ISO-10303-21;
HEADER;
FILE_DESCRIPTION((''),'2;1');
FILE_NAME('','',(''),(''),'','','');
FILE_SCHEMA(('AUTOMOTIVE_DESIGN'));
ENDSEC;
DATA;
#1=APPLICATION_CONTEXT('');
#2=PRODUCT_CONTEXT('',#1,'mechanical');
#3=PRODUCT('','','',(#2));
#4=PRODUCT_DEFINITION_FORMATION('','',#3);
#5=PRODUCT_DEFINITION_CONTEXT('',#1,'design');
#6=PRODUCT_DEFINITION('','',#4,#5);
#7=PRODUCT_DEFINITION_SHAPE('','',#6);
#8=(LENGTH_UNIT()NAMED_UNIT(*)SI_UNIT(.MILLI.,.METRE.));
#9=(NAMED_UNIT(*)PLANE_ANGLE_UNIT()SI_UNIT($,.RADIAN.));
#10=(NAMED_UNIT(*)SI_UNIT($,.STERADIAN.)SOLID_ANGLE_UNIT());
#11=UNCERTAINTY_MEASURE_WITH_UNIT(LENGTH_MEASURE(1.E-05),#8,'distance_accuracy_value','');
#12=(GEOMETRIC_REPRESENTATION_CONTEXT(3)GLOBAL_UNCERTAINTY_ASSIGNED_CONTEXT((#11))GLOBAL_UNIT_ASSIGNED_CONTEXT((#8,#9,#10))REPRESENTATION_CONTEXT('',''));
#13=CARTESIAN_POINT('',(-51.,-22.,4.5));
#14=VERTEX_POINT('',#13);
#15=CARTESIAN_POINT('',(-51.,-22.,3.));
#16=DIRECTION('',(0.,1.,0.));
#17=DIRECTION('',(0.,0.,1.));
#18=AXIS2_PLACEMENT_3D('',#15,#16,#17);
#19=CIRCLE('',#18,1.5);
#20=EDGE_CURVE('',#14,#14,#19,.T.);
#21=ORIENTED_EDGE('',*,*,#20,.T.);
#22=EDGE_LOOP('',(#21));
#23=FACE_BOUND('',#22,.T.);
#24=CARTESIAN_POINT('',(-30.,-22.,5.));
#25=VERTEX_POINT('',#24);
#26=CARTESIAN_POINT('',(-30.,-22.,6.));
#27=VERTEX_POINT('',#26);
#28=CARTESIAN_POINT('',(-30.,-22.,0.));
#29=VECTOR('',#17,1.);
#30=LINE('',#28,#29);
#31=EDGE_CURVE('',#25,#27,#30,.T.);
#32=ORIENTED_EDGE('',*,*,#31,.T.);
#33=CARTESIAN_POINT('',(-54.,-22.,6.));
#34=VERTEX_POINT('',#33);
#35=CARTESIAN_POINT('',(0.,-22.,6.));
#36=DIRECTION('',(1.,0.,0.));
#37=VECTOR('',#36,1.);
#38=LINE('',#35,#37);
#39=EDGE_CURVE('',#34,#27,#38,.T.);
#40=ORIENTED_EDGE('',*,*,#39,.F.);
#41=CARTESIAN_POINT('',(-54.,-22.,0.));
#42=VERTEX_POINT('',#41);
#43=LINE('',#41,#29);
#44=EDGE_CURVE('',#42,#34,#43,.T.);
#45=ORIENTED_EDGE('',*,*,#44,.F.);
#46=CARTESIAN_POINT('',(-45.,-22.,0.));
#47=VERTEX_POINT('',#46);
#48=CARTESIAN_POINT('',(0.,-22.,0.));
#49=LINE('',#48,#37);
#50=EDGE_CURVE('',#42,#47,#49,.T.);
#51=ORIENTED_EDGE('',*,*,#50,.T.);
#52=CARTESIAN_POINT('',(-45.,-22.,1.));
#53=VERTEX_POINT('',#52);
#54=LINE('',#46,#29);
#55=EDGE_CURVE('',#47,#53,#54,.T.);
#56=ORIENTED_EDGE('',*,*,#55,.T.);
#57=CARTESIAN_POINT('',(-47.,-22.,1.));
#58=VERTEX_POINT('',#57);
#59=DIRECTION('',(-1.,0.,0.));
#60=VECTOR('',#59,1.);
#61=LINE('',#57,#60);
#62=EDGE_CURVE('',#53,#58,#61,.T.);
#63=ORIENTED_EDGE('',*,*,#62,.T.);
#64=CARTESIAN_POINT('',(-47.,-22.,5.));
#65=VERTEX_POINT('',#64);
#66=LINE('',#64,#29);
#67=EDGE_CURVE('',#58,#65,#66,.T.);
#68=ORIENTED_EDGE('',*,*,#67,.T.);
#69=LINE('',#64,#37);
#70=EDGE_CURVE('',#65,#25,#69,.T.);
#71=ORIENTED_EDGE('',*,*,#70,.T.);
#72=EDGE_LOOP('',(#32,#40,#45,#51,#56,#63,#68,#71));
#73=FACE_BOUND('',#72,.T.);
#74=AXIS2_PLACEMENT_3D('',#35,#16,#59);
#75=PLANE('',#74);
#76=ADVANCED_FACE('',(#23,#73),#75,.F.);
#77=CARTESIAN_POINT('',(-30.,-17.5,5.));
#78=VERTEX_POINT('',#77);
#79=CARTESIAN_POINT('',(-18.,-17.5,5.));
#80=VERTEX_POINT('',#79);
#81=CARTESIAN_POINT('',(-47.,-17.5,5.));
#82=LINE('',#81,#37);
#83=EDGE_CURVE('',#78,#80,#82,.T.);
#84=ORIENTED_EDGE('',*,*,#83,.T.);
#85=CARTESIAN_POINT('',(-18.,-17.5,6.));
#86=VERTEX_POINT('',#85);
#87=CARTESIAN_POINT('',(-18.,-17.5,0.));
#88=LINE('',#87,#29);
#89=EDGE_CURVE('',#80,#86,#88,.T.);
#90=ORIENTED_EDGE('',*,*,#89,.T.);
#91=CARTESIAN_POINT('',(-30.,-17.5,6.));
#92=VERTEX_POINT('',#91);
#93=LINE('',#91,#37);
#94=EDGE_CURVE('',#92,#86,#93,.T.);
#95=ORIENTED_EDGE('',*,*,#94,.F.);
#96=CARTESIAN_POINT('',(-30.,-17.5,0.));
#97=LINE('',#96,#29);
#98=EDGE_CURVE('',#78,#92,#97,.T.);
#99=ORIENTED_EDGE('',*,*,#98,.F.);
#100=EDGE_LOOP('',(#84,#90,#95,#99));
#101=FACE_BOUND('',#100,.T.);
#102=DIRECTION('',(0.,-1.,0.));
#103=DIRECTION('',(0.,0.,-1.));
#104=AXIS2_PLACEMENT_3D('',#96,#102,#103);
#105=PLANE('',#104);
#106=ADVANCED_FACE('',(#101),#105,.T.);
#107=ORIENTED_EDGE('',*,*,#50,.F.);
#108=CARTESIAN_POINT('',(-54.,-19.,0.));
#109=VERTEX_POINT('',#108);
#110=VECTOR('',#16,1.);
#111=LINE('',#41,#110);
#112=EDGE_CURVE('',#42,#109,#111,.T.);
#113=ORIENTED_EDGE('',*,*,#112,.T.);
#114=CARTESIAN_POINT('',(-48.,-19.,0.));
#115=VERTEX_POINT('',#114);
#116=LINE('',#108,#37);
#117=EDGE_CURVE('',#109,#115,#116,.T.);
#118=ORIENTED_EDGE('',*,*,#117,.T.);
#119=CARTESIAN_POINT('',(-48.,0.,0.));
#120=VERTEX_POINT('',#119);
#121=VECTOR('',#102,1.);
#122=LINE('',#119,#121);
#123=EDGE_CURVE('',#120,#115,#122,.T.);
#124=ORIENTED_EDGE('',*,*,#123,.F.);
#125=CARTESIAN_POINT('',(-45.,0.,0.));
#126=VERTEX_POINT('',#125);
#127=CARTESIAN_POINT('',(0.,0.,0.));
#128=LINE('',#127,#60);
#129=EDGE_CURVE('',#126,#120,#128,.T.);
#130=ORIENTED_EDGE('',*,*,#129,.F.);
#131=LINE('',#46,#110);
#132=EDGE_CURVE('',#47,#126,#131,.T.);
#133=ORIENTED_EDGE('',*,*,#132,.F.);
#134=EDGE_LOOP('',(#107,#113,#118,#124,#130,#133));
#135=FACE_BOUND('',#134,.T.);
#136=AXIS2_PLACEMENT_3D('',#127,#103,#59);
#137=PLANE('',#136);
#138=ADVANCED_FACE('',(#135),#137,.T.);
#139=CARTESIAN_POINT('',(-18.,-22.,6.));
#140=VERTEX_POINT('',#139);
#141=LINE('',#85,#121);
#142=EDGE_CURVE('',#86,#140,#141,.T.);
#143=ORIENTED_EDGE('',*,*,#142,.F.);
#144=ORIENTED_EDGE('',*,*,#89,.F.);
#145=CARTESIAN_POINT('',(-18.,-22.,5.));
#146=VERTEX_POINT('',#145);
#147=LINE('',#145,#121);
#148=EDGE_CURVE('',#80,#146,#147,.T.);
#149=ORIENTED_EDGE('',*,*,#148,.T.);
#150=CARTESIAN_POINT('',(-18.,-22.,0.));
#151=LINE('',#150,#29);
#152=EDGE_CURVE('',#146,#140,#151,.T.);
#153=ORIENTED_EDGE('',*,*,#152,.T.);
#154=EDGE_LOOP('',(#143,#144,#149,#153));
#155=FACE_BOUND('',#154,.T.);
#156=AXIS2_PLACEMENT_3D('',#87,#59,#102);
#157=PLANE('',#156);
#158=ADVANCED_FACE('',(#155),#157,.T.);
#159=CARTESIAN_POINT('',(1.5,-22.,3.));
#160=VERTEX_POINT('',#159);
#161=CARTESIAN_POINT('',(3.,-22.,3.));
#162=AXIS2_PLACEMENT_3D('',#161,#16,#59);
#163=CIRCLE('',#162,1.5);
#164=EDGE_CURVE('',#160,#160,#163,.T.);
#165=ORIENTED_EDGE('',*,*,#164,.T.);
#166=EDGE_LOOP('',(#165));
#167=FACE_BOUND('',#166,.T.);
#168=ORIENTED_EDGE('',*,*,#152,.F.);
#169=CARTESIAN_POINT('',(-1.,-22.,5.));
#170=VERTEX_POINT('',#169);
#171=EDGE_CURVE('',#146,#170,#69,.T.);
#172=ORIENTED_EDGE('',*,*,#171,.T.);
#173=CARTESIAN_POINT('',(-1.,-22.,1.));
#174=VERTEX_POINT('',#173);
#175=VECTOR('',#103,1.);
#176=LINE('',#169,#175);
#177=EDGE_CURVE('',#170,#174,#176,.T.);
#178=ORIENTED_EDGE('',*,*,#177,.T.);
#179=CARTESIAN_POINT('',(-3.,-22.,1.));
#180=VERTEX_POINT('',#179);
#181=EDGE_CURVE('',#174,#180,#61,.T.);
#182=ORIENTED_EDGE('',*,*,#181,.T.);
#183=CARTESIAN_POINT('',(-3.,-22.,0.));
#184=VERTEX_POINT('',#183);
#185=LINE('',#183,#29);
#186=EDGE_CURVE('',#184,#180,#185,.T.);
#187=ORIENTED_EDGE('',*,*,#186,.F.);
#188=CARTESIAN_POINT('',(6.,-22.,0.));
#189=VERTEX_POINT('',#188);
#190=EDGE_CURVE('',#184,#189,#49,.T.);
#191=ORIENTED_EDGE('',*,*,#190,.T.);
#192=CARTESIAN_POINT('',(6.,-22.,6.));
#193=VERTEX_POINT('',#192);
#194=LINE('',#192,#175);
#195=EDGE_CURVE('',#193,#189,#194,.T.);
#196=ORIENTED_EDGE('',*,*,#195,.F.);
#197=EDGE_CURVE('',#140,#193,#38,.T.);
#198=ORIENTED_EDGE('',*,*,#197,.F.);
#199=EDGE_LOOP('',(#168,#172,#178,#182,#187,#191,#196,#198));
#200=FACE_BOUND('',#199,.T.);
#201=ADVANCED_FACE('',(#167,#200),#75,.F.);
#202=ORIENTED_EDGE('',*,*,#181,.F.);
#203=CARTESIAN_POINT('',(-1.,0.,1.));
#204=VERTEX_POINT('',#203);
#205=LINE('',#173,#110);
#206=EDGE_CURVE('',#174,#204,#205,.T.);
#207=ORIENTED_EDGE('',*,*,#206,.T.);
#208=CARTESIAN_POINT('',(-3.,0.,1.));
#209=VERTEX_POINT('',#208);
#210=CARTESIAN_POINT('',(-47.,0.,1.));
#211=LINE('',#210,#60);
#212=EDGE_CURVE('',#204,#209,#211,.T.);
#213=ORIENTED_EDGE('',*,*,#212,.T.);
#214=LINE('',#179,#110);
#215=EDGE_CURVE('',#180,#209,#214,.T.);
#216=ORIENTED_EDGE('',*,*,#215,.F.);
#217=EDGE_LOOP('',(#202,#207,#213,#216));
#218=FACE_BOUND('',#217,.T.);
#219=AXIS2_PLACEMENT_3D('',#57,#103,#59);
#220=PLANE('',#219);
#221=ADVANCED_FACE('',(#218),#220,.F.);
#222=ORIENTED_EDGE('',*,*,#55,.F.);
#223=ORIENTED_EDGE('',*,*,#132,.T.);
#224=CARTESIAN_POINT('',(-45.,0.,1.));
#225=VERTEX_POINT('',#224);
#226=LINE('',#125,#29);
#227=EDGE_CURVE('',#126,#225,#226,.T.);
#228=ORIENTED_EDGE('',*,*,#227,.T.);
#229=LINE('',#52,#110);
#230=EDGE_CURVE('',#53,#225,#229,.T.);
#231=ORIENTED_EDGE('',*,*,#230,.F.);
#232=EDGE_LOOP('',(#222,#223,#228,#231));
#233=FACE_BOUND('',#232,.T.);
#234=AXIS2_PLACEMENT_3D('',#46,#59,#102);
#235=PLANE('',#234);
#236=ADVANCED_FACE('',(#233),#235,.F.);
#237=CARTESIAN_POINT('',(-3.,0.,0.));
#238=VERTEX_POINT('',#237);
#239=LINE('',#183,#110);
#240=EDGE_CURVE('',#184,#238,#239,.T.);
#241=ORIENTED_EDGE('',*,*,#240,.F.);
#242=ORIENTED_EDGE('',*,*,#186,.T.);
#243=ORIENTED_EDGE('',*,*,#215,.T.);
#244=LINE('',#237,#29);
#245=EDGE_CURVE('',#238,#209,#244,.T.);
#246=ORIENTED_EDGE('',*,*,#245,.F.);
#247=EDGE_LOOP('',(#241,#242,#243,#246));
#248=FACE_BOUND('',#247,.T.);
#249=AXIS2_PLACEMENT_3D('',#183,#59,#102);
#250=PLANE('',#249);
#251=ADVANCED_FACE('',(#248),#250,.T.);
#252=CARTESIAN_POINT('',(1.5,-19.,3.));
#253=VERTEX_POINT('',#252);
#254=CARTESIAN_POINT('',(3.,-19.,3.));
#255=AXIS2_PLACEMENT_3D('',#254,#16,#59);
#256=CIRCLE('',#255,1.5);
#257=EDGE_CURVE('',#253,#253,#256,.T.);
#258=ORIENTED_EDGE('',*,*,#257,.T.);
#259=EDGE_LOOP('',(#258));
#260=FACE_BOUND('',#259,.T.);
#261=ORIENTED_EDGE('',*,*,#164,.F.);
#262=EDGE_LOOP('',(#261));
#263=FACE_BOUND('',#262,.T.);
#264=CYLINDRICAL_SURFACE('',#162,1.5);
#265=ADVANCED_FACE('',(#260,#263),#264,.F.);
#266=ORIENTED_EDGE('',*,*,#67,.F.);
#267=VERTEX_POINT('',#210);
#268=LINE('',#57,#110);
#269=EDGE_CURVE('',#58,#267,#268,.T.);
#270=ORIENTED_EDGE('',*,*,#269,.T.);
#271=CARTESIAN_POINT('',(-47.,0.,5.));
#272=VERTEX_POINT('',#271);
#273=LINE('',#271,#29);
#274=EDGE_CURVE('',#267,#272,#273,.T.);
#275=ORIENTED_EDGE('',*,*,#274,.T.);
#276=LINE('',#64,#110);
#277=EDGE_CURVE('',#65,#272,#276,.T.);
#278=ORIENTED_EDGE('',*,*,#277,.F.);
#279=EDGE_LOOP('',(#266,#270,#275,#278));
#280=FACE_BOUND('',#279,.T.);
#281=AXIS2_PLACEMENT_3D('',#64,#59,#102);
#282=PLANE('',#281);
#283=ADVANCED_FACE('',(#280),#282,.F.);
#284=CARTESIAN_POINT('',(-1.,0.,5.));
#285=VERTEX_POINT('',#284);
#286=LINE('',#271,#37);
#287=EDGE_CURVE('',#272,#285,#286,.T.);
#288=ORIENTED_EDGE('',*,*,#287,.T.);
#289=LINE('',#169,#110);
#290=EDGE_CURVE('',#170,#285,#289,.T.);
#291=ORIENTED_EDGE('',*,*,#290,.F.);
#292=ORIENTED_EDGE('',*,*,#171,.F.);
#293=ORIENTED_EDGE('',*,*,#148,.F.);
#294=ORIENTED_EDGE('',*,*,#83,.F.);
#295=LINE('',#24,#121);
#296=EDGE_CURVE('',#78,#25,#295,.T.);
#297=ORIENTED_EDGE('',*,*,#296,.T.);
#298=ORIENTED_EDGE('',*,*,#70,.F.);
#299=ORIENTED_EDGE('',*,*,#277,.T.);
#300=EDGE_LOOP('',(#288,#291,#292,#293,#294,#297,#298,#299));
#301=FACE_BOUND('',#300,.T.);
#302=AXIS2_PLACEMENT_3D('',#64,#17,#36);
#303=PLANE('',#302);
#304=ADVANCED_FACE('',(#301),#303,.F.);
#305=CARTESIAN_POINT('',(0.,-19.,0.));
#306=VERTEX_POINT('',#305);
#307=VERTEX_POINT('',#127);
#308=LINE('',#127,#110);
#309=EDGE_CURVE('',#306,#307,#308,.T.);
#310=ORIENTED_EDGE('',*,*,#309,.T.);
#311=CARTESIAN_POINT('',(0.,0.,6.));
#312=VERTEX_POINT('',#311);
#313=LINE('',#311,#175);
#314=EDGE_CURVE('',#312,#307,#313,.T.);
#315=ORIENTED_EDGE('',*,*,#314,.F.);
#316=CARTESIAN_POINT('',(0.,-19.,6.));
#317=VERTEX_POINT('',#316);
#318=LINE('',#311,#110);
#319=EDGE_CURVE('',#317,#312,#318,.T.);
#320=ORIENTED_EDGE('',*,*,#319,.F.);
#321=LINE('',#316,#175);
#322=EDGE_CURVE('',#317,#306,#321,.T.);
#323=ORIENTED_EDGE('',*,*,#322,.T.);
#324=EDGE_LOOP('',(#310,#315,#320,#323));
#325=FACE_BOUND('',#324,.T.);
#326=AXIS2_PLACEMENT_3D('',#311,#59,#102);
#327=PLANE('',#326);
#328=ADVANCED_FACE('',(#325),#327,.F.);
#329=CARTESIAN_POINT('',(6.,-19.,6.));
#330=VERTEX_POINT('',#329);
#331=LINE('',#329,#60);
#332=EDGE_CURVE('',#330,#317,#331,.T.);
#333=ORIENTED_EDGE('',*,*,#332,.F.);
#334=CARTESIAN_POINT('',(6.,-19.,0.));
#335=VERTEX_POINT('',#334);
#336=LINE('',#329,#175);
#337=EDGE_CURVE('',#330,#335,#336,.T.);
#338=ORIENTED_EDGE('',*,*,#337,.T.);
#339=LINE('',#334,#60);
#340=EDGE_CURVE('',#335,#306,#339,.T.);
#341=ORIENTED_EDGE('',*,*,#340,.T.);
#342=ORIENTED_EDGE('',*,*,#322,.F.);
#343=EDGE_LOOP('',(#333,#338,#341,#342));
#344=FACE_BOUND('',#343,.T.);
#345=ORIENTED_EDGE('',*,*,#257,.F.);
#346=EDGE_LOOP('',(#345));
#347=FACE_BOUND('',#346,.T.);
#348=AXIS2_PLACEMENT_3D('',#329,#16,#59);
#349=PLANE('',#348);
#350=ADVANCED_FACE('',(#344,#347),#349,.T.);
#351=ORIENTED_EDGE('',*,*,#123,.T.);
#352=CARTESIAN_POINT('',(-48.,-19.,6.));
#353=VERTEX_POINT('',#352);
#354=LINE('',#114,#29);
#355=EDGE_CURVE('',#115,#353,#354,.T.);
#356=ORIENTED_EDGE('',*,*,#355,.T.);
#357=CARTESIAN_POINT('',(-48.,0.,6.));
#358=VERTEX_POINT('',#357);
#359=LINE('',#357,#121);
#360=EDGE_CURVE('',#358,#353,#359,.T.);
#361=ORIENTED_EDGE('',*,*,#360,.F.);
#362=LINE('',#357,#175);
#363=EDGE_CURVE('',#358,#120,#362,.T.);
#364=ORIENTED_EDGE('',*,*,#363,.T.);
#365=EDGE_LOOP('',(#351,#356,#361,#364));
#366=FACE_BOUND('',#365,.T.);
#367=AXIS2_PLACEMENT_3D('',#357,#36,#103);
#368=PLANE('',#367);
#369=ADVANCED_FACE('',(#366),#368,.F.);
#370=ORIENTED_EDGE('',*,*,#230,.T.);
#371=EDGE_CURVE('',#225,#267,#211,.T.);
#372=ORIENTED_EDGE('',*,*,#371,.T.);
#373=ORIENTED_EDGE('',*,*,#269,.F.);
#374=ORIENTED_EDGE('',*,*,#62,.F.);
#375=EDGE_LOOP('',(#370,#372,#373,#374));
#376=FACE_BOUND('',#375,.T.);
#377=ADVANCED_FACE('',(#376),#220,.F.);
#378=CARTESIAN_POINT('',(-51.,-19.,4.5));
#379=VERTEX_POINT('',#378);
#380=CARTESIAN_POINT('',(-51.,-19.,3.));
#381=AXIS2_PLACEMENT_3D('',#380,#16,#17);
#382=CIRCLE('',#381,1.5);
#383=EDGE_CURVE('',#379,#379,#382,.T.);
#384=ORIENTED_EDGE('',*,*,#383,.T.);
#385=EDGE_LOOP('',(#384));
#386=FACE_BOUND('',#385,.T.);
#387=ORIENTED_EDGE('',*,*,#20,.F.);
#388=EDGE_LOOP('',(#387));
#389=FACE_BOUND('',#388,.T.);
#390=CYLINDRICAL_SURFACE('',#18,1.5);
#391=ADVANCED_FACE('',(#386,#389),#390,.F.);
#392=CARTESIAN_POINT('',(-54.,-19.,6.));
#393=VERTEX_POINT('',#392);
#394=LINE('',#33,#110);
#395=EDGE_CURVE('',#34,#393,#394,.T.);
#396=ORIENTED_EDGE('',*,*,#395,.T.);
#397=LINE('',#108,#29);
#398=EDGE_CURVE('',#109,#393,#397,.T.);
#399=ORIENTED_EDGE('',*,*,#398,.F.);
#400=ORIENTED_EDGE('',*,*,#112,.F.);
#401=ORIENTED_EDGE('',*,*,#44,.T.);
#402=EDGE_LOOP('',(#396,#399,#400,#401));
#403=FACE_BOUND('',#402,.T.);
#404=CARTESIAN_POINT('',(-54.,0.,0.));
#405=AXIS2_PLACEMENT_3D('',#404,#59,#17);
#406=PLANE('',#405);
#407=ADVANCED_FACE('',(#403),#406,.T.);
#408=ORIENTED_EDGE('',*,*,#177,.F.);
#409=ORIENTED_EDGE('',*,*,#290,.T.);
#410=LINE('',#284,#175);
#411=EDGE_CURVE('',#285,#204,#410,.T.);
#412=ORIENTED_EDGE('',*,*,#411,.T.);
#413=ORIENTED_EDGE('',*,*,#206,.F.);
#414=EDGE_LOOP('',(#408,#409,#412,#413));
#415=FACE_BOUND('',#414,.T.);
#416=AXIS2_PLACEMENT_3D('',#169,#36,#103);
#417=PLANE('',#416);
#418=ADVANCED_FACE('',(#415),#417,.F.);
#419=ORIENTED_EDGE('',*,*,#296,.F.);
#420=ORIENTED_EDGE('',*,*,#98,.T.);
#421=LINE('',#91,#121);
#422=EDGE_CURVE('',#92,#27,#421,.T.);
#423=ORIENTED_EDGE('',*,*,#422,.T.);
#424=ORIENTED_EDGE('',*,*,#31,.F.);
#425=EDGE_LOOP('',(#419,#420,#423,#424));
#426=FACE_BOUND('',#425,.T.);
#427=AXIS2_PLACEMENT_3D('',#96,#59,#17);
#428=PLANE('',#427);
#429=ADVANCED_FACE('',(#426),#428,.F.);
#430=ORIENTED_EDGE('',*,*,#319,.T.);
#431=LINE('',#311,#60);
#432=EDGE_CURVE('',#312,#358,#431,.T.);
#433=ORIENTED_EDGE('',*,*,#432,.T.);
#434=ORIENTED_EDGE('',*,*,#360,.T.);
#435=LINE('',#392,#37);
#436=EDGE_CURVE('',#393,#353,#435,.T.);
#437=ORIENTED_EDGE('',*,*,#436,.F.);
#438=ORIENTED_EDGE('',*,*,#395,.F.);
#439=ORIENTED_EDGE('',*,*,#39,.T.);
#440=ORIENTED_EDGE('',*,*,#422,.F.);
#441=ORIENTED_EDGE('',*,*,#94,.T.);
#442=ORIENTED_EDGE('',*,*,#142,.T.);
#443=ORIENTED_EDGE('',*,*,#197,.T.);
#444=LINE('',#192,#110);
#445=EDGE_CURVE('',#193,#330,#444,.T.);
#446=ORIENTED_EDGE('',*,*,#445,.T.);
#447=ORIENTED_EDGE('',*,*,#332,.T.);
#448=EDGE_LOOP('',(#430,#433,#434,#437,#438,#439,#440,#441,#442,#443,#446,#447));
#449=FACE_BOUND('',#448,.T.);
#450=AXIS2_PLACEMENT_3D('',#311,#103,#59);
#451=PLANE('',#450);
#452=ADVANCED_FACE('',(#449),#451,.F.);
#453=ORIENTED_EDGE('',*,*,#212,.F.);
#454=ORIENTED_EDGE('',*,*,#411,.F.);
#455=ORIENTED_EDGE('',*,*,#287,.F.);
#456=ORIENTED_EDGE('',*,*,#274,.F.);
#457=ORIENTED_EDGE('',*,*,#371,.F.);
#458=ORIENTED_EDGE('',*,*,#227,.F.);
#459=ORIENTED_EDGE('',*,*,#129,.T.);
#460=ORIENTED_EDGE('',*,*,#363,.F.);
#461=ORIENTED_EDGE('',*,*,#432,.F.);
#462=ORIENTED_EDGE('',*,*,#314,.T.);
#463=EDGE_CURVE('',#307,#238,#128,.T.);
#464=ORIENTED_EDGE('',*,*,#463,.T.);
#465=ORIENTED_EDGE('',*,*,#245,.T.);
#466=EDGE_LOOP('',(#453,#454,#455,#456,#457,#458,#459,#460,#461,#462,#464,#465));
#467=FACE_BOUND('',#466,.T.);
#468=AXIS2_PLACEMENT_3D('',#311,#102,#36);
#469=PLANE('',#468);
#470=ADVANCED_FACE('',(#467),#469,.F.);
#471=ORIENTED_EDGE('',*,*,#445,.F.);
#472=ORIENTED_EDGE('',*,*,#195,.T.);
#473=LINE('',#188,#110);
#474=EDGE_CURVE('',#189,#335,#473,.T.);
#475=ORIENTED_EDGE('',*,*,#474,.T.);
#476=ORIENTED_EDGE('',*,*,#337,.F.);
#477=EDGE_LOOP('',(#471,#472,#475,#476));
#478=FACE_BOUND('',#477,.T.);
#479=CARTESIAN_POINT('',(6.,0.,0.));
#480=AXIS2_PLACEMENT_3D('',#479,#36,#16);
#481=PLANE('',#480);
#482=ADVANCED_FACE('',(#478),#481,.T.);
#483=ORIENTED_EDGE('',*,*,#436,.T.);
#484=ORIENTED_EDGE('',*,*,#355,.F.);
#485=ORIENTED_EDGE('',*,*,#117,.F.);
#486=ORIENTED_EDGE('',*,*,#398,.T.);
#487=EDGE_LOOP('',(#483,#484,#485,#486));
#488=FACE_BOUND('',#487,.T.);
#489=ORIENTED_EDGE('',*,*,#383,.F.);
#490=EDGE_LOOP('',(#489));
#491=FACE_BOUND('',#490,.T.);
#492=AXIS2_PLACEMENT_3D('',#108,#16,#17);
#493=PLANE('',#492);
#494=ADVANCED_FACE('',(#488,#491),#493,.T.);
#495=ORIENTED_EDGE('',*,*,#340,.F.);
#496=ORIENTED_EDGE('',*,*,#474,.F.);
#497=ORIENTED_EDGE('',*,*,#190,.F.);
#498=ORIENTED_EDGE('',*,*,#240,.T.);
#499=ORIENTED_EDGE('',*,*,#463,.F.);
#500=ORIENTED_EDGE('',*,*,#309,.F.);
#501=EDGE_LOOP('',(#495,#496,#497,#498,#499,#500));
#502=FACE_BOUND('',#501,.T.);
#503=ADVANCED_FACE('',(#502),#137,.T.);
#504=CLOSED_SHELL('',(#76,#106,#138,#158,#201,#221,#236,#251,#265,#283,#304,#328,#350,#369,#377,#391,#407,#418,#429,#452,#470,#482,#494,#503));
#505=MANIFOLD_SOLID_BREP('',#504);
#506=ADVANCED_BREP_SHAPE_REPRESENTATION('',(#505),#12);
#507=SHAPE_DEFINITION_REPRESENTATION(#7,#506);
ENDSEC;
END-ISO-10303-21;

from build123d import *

# Parameters (mm, degrees)
SKETCH_1_W          = 48
SKETCH_1_H          = 22
EXTRUDE_1_DEPTH     = 6
SKETCH_4_W          = 46
SKETCH_4_H          = 4
CUT_EXTRUDE_2_DEPTH = 22
SKETCH_5_W          = 42
SKETCH_5_H          = 1
CUT_EXTRUDE_3_DEPTH = 22
SKETCH_9_W          = 12
SKETCH_9_H          = 4.5
CUT_EXTRUDE_5_DEPTH = 6
SKETCH_10_W         = 6
SKETCH_10_H         = 3
EXTRUDE_2_DEPTH     = 6
SKETCH_11_W         = 6
SKETCH_11_H         = 3
EXTRUDE_3_DEPTH     = 6
SKETCH_12_R         = 1.5
CUT_EXTRUDE_6_DEPTH = 3
SKETCH_14_R         = 1.5
CUT_EXTRUDE_7_DEPTH = 3


with BuildPart() as part:
    # 草圖1 → 填料-伸長1 (new body)
    with BuildSketch(Plane.XY):
        with Locations((-24, -11)):
            Rectangle(SKETCH_1_W, SKETCH_1_H)
    extrude(amount=EXTRUDE_1_DEPTH)

    # 草圖4 → 除料-伸長2 (cut)
    with BuildSketch(Plane(origin=(0, 0, 0), x_dir=(1, 0, 0), z_dir=(0, 1, 0))):
        with Locations((-24, -3)):
            Rectangle(SKETCH_4_W, SKETCH_4_H)
    extrude(amount=-CUT_EXTRUDE_2_DEPTH, mode=Mode.SUBTRACT)

    # 草圖5 → 除料-伸長3 (cut)
    with BuildSketch(Plane(origin=(0, 0, 0), x_dir=(1, 0, 0), z_dir=(0, 1, 0))):
        with Locations((-24, -0.5)):
            Rectangle(SKETCH_5_W, SKETCH_5_H)
    extrude(amount=-CUT_EXTRUDE_3_DEPTH, mode=Mode.SUBTRACT)

    # 草圖9 → 除料-伸長5 (cut)
    with BuildSketch(Plane.XY.offset(6)):
        with Locations((-24, -19.75)):
            Rectangle(SKETCH_9_W, SKETCH_9_H)
    extrude(amount=-CUT_EXTRUDE_5_DEPTH, mode=Mode.SUBTRACT)

    # 草圖10 → 填料-伸長2 (add)
    with BuildSketch(Plane(origin=(0, 0, 0), x_dir=(0, 0, -1), z_dir=(1, 0, 0))):
        with Locations((-3, -20.5)):
            Rectangle(SKETCH_10_W, SKETCH_10_H)
    extrude(amount=EXTRUDE_2_DEPTH)

    # 草圖11 → 填料-伸長3 (add)
    with BuildSketch(Plane.ZY.offset(48)):
        with Locations((3, -20.5)):
            Rectangle(SKETCH_11_W, SKETCH_11_H)
    extrude(amount=EXTRUDE_3_DEPTH)

    # 草圖12 → 除料-伸長6 (cut)
    with BuildSketch(Plane(origin=(0, -19, 0), x_dir=(1, 0, 0), z_dir=(0, 1, 0))):
        with Locations(Location((3, -3, 0), (0, 0, 180))):
            Circle(SKETCH_12_R)
    extrude(amount=-CUT_EXTRUDE_6_DEPTH, mode=Mode.SUBTRACT)

    # 草圖14 → 除料-伸長7 (cut)
    with BuildSketch(Plane(origin=(0, -19, 0), x_dir=(1, 0, 0), z_dir=(0, 1, 0))):
        with Locations(Location((-51, -3, 0), (0, 0, 270))):
            Circle(SKETCH_14_R)
    extrude(amount=-CUT_EXTRUDE_7_DEPTH, mode=Mode.SUBTRACT)


solid = part.part
